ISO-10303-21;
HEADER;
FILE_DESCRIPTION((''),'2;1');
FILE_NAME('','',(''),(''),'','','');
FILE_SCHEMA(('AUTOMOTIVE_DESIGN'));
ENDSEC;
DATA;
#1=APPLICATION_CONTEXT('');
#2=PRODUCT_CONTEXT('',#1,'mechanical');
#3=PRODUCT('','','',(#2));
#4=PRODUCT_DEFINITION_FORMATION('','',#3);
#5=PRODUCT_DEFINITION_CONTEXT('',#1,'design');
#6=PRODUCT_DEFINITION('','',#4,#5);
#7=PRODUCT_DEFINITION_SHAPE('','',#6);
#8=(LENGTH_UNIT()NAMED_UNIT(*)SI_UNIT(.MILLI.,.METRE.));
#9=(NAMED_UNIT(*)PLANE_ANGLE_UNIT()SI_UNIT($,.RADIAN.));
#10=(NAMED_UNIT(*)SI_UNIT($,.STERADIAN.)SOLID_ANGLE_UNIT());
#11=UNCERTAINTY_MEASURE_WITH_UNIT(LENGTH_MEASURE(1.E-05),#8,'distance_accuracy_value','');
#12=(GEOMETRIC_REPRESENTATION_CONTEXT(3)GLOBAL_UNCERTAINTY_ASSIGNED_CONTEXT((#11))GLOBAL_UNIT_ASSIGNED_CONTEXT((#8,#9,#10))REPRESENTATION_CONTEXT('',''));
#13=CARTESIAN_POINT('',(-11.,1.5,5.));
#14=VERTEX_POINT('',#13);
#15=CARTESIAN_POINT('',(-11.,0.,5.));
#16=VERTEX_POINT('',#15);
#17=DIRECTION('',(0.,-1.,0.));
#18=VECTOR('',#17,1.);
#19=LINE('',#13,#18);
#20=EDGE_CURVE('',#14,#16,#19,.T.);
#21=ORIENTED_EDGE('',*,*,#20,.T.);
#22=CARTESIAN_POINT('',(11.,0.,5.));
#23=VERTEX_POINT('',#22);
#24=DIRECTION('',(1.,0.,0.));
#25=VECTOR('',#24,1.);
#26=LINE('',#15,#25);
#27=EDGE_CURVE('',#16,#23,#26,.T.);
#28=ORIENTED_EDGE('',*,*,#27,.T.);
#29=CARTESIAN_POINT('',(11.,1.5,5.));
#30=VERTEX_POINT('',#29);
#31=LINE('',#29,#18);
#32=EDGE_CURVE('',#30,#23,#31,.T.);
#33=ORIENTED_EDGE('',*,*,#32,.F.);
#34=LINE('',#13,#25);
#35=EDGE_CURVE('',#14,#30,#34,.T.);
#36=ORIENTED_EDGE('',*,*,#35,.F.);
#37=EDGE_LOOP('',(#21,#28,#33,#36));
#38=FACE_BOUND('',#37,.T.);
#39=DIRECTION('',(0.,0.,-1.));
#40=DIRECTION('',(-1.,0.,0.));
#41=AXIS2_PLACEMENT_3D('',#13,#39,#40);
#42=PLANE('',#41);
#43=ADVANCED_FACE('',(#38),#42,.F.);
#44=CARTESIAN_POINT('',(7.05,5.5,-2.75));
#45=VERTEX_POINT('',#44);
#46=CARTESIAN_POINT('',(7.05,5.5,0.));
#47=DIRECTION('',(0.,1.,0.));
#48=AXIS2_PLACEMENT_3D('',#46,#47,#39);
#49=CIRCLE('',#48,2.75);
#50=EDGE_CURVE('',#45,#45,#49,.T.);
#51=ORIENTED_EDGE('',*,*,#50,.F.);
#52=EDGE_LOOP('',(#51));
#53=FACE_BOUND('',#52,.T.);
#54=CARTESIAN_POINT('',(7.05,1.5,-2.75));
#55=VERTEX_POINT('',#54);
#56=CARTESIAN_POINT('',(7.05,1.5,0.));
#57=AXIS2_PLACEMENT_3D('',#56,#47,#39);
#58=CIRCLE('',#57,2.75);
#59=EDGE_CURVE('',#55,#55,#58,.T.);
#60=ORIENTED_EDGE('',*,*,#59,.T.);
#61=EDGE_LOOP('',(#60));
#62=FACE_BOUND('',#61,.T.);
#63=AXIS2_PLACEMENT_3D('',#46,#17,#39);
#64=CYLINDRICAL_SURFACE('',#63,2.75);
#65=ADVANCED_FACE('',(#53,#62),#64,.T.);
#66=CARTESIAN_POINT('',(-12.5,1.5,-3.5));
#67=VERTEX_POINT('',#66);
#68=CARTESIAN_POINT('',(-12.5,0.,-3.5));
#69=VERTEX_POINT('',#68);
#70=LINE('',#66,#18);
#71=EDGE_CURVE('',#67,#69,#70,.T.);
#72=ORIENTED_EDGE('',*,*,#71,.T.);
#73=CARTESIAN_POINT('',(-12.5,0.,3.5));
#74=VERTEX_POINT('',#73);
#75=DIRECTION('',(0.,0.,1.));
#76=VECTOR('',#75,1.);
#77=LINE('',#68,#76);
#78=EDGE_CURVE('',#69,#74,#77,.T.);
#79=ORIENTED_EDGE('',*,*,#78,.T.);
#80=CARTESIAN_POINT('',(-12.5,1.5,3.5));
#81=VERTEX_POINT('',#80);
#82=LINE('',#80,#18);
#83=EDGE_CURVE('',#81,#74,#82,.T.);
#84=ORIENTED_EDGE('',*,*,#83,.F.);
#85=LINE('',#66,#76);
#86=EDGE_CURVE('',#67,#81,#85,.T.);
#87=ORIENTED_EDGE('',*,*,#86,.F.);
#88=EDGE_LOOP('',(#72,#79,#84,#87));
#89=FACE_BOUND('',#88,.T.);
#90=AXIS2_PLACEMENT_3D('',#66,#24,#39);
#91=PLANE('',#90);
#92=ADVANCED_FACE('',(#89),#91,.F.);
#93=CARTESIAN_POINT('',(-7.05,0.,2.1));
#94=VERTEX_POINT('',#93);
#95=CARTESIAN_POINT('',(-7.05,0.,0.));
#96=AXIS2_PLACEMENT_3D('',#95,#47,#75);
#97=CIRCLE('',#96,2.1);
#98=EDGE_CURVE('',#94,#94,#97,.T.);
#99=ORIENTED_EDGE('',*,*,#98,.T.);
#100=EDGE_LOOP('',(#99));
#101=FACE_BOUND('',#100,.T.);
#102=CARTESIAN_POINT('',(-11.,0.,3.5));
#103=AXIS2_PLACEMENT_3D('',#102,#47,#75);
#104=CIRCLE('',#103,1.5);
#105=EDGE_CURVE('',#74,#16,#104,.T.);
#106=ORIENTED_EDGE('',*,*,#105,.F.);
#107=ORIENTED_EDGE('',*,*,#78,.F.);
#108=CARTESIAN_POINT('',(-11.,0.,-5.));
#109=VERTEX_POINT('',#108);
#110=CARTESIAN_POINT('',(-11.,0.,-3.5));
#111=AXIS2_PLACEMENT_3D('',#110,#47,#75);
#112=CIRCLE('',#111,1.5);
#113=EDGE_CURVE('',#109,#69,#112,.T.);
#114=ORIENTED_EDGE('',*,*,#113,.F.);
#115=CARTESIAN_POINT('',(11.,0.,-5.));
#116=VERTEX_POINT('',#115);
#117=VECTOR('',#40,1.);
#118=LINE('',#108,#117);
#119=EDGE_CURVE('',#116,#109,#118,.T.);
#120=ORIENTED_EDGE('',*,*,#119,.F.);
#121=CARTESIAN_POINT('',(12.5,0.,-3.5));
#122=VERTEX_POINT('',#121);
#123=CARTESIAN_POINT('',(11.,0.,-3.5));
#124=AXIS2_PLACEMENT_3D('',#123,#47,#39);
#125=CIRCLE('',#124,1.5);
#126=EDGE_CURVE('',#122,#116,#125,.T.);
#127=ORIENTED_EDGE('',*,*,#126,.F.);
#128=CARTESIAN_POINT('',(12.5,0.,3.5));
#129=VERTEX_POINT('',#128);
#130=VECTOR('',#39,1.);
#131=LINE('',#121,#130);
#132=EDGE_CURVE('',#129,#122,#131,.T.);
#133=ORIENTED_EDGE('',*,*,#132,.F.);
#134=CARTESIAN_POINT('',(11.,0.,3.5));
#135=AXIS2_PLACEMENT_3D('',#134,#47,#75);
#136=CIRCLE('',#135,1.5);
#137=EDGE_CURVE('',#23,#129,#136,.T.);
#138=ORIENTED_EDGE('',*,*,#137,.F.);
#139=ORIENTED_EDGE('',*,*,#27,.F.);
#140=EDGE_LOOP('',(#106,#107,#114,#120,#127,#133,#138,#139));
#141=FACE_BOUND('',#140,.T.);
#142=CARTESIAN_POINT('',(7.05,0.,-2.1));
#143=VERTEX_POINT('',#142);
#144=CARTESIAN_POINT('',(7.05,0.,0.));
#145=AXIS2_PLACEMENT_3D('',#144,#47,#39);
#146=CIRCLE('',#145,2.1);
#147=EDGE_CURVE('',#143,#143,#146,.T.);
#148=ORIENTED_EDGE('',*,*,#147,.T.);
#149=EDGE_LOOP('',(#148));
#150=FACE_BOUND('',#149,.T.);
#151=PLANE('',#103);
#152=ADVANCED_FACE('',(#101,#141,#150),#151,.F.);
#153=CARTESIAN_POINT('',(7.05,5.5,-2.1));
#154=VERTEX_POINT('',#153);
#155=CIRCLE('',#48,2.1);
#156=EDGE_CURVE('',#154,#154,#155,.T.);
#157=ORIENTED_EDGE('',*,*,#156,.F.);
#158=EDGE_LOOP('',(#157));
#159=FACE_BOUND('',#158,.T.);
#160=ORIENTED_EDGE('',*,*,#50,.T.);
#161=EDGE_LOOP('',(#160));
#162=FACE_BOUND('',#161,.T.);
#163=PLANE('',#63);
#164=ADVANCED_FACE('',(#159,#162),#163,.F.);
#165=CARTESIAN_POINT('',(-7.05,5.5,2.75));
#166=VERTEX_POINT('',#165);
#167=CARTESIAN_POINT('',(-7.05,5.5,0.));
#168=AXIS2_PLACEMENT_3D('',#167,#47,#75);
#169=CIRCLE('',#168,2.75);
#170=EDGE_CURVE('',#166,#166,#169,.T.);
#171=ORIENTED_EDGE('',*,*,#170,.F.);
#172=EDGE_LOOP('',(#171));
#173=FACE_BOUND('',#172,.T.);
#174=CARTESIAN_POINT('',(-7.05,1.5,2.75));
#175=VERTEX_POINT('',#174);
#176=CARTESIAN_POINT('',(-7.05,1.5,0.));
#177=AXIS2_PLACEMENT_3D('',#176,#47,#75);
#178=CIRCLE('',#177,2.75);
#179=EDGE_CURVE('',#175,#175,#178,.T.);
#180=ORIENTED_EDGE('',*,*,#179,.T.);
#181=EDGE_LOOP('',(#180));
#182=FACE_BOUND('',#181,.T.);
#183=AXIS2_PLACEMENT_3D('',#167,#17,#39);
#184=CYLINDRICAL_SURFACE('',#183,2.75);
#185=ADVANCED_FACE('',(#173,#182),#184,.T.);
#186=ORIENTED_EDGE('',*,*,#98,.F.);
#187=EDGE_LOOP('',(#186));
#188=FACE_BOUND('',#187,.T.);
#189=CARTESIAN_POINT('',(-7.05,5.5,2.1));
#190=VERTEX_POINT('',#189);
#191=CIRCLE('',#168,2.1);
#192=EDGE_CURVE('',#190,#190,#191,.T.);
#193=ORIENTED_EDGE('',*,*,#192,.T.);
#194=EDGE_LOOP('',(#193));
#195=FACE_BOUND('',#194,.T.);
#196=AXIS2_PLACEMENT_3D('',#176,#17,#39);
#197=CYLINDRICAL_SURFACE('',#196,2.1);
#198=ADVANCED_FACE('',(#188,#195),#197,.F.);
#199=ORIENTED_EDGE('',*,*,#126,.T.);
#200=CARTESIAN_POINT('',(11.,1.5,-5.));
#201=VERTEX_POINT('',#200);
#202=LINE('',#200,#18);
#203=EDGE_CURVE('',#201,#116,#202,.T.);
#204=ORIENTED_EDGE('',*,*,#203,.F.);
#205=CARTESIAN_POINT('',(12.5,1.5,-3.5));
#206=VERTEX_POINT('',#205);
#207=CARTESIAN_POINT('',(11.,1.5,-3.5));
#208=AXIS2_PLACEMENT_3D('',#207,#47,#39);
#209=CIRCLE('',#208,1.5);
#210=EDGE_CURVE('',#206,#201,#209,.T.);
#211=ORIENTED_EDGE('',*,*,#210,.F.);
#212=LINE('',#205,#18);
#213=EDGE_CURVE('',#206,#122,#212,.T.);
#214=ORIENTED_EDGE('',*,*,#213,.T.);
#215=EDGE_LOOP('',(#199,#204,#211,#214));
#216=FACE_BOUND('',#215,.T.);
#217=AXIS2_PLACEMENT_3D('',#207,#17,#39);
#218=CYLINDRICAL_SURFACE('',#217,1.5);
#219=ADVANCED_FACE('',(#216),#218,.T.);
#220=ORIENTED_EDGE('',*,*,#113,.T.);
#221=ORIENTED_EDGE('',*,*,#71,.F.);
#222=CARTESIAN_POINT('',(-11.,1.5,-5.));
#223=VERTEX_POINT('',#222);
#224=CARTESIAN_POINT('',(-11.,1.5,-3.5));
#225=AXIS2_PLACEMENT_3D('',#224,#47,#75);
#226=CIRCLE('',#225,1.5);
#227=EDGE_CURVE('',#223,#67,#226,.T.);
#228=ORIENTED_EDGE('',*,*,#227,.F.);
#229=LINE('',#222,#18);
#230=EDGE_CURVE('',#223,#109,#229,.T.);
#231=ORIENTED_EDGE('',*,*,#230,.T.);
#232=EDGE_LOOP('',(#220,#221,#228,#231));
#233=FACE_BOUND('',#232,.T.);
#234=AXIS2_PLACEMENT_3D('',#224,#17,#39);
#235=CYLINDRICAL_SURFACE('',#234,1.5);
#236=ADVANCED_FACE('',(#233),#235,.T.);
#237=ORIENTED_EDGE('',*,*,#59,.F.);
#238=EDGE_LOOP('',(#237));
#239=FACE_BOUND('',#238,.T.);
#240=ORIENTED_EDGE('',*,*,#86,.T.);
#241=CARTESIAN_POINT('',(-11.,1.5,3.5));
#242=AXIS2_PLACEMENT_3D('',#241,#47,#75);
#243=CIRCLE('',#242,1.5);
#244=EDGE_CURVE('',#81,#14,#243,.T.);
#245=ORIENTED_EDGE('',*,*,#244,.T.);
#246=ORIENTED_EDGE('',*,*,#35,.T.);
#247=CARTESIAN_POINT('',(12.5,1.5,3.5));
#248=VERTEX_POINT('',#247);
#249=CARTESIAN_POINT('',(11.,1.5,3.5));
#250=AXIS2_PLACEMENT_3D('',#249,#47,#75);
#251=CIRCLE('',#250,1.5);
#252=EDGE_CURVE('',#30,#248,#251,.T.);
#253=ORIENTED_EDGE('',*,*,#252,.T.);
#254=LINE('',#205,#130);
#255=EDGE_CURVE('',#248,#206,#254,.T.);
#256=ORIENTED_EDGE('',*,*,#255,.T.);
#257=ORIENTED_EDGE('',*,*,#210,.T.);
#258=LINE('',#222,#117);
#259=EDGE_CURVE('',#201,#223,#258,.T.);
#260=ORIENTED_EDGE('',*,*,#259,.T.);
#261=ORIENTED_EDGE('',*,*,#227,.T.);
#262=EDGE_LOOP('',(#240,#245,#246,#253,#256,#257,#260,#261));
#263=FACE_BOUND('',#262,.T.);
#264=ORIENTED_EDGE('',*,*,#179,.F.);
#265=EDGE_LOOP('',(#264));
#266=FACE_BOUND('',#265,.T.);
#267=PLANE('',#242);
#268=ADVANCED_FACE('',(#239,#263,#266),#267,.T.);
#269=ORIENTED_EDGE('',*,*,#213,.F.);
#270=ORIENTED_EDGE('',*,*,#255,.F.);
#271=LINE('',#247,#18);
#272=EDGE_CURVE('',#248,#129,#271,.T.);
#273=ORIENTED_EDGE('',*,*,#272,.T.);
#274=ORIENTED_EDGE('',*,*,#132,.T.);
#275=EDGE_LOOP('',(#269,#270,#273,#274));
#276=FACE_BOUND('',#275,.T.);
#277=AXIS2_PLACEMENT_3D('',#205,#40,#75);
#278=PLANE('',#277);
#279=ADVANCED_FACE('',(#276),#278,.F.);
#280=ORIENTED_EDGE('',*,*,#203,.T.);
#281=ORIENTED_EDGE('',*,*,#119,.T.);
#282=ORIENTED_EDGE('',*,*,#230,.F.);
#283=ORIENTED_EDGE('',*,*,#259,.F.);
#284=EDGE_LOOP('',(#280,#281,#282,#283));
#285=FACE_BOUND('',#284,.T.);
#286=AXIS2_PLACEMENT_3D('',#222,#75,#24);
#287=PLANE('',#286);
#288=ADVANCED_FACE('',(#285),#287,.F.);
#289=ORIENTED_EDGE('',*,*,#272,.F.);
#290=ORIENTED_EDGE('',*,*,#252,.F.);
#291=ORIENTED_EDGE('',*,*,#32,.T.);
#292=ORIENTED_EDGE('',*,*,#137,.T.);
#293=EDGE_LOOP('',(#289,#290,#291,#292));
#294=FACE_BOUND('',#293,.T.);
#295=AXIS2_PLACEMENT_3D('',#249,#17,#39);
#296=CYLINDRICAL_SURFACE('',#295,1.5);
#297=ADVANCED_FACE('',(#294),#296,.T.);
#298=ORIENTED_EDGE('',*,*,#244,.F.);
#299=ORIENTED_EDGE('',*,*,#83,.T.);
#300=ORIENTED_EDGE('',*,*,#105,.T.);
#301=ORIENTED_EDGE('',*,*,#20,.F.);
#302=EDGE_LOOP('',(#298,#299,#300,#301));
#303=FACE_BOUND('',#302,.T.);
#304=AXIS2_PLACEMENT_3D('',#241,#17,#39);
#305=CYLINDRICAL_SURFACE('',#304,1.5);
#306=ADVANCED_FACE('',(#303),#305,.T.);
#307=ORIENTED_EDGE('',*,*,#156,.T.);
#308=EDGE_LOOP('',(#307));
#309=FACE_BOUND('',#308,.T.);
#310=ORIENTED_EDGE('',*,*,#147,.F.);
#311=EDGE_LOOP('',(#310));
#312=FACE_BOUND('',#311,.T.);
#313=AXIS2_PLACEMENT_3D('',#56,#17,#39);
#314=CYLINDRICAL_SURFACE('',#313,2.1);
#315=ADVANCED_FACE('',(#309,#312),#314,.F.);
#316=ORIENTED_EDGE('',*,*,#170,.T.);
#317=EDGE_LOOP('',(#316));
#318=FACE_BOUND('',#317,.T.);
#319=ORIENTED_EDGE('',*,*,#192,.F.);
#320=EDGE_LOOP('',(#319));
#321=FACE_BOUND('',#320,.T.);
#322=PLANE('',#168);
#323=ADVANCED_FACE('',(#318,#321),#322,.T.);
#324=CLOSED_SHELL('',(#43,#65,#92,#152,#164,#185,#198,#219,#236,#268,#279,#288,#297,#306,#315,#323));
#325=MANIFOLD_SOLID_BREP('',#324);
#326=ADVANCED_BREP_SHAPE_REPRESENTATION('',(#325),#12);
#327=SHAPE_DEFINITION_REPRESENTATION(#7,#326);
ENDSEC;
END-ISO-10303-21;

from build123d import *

# Parameters (mm, degrees)
SKETCH1_R           = 2.1
BOSS_EXTRUDE1_DEPTH = 1.5
SKETCH3_R           = 2.75
SKETCH3_R_2         = 2.1
BOSS_EXTRUDE2_DEPTH = 4


with BuildPart() as part:
    # Sketch1 → Boss-Extrude1 (new body)
    with BuildSketch(Plane(origin=(0, 0, 0), x_dir=(1, 0, 0), z_dir=(0, 1, 0))):
        with BuildLine():
            Line((-11, 5), (11, 5))
            ThreePointArc((11, 5), (12.060660172, 4.560660172), (12.5, 3.5))
            Line((12.5, 3.5), (12.5, -3.5))
            ThreePointArc((12.5, -3.5), (12.060660172, -4.560660172), (11, -5))
            Line((11, -5), (-11, -5))
            ThreePointArc((-11, -5), (-12.060660172, -4.560660172), (-12.5, -3.5))
            Line((-12.5, -3.5), (-12.5, 3.5))
            ThreePointArc((-12.5, 3.5), (-12.060660172, 4.560660172), (-11, 5))
        make_face()
        with Locations((-7.05, 0)):
            Circle(SKETCH1_R, mode=Mode.SUBTRACT)
        with Locations((7.05, 0)):
            Circle(SKETCH1_R, mode=Mode.SUBTRACT)
    extrude(amount=BOSS_EXTRUDE1_DEPTH)

    # Sketch3 → Boss-Extrude2 (add)
    with BuildSketch(Plane(origin=(0, 1.5, 0), x_dir=(1, 0, 0), z_dir=(0, 1, 0))):
        with Locations((-7.05, 0)):
            Circle(SKETCH3_R)
        with Locations((-7.05, 0)):
            Circle(SKETCH3_R_2, mode=Mode.SUBTRACT)
        with Locations((7.05, 0)):
            Circle(SKETCH3_R)
        with Locations((7.05, 0)):
            Circle(SKETCH3_R_2, mode=Mode.SUBTRACT)
    extrude(amount=BOSS_EXTRUDE2_DEPTH)


solid = part.part
